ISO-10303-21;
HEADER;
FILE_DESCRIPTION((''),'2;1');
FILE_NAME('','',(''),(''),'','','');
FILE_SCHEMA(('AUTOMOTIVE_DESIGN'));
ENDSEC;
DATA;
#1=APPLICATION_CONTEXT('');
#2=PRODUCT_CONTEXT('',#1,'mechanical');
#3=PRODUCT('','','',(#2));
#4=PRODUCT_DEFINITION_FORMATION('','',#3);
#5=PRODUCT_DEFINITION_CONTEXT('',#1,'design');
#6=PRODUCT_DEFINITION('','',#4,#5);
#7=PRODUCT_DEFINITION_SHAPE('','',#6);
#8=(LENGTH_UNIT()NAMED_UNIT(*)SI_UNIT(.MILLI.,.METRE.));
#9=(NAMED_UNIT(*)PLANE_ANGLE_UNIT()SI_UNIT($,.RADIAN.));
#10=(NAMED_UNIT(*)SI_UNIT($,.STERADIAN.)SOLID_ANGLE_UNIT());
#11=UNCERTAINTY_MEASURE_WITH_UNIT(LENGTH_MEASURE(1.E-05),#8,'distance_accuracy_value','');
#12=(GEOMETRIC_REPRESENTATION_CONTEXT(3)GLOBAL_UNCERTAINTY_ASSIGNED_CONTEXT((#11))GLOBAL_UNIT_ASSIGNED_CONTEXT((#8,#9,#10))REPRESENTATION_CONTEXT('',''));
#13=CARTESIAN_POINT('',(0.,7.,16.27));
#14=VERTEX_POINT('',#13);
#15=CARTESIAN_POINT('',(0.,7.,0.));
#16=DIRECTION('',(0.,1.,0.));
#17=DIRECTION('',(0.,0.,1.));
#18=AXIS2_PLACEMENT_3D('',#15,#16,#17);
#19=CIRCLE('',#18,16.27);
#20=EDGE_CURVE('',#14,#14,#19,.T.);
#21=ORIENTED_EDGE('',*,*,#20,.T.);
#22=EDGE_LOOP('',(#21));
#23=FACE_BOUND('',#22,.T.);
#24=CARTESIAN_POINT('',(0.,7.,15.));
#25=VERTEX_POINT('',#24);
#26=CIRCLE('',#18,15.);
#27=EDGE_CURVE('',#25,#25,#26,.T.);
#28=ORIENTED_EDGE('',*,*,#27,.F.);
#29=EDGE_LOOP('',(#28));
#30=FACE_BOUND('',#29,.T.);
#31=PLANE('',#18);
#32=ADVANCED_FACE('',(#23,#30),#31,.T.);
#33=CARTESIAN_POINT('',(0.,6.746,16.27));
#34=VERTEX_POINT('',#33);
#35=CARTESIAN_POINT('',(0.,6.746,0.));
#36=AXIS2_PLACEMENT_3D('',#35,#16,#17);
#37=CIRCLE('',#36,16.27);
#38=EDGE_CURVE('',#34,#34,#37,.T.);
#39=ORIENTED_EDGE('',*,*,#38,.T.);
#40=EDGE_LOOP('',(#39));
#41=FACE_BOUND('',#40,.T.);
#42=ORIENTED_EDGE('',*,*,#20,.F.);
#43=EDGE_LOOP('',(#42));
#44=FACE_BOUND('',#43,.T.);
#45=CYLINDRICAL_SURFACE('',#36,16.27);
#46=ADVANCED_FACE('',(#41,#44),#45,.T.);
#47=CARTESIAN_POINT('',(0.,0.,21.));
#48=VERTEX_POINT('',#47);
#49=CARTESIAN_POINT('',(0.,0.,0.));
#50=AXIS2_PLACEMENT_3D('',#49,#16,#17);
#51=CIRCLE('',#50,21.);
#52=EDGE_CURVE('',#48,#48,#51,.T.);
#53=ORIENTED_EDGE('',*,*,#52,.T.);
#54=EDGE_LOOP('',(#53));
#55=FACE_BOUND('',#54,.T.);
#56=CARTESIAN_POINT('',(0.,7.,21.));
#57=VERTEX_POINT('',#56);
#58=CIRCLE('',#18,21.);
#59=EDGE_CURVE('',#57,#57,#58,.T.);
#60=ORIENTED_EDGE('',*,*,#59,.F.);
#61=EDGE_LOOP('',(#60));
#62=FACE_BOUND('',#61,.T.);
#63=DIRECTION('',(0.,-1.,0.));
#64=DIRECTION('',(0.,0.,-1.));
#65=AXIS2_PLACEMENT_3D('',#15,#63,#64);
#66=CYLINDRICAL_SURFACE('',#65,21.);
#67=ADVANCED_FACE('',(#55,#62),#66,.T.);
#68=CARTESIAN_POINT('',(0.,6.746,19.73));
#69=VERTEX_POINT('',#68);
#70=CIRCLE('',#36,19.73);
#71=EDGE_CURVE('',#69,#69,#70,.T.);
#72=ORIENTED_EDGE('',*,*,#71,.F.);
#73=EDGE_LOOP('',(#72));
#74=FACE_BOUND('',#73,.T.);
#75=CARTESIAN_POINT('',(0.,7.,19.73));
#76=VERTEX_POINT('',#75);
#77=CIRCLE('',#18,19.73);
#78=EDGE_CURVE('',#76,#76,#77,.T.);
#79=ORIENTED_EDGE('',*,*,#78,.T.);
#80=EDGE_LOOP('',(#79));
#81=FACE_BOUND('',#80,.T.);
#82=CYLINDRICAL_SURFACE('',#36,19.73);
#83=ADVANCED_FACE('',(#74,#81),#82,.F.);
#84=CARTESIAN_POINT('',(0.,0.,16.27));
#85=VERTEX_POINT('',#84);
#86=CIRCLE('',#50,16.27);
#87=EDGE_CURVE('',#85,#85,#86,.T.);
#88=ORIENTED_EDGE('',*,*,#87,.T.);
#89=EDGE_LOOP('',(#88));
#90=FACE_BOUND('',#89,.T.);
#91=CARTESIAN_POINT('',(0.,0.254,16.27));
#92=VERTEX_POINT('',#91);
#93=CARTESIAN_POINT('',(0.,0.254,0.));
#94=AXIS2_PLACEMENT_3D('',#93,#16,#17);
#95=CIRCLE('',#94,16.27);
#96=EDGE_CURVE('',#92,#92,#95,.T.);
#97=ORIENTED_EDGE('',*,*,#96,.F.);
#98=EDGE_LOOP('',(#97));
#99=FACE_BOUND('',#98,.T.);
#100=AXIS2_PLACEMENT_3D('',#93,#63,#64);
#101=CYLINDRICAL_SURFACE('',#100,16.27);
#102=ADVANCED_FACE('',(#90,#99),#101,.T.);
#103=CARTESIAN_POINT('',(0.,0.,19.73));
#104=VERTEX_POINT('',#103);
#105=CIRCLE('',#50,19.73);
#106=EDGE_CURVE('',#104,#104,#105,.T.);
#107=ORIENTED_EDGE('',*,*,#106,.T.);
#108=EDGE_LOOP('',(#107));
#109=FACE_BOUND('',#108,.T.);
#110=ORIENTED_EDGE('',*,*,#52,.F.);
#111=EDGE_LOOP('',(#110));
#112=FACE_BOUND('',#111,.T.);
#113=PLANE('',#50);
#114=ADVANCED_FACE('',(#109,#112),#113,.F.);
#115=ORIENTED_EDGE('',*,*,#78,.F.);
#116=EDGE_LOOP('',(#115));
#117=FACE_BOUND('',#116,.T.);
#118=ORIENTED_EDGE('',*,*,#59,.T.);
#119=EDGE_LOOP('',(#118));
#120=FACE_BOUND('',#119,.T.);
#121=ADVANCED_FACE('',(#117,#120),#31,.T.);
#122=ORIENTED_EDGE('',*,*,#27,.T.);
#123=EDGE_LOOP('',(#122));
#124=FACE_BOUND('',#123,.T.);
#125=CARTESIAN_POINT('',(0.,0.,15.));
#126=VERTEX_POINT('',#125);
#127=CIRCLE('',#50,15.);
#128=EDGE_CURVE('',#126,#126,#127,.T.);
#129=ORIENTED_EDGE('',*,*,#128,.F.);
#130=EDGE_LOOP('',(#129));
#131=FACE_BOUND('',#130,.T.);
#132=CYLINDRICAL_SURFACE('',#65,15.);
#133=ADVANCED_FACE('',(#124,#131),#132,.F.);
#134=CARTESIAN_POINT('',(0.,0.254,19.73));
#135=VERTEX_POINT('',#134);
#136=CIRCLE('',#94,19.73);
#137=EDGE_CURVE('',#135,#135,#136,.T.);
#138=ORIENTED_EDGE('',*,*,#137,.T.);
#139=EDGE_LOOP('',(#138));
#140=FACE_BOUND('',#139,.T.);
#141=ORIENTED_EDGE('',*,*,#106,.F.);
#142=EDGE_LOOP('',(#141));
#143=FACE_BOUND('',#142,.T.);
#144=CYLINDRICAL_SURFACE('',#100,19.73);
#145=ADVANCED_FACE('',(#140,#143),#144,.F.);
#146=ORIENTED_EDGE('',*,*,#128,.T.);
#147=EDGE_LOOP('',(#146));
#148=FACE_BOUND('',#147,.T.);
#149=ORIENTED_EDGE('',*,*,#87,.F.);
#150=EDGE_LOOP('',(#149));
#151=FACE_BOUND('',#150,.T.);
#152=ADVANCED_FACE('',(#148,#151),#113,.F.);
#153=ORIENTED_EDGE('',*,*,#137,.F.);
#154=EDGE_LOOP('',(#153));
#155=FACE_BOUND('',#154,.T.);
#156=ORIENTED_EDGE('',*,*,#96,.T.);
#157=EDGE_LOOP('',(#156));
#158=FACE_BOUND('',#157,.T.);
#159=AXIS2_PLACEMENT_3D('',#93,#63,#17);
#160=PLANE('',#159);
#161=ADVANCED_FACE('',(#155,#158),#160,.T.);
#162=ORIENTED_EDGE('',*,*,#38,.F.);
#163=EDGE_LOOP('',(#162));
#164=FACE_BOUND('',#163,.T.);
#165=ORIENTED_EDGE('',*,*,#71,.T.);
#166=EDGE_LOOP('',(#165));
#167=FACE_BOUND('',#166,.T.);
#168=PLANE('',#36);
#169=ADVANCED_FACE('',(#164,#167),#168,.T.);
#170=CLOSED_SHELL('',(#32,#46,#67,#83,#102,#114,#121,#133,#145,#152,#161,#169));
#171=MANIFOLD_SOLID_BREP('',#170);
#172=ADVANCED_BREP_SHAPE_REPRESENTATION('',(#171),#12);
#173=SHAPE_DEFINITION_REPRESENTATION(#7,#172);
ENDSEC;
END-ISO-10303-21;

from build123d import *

# Parameters (mm, degrees)
SKETCH1_R           = 21
SKETCH1_R_2         = 15
BOSS_EXTRUDE1_DEPTH = 7
SKETCH2_R           = 19.73
SKETCH2_R_2         = 16.27
CUT_EXTRUDE1_DEPTH  = 0.254


with BuildPart() as part:
    # Sketch1 → Boss-Extrude1 (new body)
    with BuildSketch(Plane(origin=(0, 0, 0), x_dir=(1, 0, 0), z_dir=(0, 1, 0))):
        with Locations(Location((0, 0, 0), (0, 0, 270))):
            Circle(SKETCH1_R)
        with Locations(Location((0, 0, 0), (0, 0, 270))):
            Circle(SKETCH1_R_2, mode=Mode.SUBTRACT)
    extrude(amount=BOSS_EXTRUDE1_DEPTH)

    # Sketch2 → Cut-Extrude1 (cut)
    with BuildSketch(Plane(origin=(0, 7, 0), x_dir=(1, 0, 0), z_dir=(0, 1, 0))):
        with Locations(Location((0, 0, 0), (0, 0, 270))):
            Circle(SKETCH2_R)
        with Locations(Location((0, 0, 0), (0, 0, 270))):
            Circle(SKETCH2_R_2, mode=Mode.SUBTRACT)
    cut_extrude1 = extrude(amount=-CUT_EXTRUDE1_DEPTH, mode=Mode.SUBTRACT)

    # Mirror1: Cut-Extrude1 across plane
    add(cut_extrude1.mirror(Plane(origin=(0, 3.5, 0), x_dir=(0, 0, 1), z_dir=(0, -1, 0))), mode=Mode.SUBTRACT)


solid = part.part
